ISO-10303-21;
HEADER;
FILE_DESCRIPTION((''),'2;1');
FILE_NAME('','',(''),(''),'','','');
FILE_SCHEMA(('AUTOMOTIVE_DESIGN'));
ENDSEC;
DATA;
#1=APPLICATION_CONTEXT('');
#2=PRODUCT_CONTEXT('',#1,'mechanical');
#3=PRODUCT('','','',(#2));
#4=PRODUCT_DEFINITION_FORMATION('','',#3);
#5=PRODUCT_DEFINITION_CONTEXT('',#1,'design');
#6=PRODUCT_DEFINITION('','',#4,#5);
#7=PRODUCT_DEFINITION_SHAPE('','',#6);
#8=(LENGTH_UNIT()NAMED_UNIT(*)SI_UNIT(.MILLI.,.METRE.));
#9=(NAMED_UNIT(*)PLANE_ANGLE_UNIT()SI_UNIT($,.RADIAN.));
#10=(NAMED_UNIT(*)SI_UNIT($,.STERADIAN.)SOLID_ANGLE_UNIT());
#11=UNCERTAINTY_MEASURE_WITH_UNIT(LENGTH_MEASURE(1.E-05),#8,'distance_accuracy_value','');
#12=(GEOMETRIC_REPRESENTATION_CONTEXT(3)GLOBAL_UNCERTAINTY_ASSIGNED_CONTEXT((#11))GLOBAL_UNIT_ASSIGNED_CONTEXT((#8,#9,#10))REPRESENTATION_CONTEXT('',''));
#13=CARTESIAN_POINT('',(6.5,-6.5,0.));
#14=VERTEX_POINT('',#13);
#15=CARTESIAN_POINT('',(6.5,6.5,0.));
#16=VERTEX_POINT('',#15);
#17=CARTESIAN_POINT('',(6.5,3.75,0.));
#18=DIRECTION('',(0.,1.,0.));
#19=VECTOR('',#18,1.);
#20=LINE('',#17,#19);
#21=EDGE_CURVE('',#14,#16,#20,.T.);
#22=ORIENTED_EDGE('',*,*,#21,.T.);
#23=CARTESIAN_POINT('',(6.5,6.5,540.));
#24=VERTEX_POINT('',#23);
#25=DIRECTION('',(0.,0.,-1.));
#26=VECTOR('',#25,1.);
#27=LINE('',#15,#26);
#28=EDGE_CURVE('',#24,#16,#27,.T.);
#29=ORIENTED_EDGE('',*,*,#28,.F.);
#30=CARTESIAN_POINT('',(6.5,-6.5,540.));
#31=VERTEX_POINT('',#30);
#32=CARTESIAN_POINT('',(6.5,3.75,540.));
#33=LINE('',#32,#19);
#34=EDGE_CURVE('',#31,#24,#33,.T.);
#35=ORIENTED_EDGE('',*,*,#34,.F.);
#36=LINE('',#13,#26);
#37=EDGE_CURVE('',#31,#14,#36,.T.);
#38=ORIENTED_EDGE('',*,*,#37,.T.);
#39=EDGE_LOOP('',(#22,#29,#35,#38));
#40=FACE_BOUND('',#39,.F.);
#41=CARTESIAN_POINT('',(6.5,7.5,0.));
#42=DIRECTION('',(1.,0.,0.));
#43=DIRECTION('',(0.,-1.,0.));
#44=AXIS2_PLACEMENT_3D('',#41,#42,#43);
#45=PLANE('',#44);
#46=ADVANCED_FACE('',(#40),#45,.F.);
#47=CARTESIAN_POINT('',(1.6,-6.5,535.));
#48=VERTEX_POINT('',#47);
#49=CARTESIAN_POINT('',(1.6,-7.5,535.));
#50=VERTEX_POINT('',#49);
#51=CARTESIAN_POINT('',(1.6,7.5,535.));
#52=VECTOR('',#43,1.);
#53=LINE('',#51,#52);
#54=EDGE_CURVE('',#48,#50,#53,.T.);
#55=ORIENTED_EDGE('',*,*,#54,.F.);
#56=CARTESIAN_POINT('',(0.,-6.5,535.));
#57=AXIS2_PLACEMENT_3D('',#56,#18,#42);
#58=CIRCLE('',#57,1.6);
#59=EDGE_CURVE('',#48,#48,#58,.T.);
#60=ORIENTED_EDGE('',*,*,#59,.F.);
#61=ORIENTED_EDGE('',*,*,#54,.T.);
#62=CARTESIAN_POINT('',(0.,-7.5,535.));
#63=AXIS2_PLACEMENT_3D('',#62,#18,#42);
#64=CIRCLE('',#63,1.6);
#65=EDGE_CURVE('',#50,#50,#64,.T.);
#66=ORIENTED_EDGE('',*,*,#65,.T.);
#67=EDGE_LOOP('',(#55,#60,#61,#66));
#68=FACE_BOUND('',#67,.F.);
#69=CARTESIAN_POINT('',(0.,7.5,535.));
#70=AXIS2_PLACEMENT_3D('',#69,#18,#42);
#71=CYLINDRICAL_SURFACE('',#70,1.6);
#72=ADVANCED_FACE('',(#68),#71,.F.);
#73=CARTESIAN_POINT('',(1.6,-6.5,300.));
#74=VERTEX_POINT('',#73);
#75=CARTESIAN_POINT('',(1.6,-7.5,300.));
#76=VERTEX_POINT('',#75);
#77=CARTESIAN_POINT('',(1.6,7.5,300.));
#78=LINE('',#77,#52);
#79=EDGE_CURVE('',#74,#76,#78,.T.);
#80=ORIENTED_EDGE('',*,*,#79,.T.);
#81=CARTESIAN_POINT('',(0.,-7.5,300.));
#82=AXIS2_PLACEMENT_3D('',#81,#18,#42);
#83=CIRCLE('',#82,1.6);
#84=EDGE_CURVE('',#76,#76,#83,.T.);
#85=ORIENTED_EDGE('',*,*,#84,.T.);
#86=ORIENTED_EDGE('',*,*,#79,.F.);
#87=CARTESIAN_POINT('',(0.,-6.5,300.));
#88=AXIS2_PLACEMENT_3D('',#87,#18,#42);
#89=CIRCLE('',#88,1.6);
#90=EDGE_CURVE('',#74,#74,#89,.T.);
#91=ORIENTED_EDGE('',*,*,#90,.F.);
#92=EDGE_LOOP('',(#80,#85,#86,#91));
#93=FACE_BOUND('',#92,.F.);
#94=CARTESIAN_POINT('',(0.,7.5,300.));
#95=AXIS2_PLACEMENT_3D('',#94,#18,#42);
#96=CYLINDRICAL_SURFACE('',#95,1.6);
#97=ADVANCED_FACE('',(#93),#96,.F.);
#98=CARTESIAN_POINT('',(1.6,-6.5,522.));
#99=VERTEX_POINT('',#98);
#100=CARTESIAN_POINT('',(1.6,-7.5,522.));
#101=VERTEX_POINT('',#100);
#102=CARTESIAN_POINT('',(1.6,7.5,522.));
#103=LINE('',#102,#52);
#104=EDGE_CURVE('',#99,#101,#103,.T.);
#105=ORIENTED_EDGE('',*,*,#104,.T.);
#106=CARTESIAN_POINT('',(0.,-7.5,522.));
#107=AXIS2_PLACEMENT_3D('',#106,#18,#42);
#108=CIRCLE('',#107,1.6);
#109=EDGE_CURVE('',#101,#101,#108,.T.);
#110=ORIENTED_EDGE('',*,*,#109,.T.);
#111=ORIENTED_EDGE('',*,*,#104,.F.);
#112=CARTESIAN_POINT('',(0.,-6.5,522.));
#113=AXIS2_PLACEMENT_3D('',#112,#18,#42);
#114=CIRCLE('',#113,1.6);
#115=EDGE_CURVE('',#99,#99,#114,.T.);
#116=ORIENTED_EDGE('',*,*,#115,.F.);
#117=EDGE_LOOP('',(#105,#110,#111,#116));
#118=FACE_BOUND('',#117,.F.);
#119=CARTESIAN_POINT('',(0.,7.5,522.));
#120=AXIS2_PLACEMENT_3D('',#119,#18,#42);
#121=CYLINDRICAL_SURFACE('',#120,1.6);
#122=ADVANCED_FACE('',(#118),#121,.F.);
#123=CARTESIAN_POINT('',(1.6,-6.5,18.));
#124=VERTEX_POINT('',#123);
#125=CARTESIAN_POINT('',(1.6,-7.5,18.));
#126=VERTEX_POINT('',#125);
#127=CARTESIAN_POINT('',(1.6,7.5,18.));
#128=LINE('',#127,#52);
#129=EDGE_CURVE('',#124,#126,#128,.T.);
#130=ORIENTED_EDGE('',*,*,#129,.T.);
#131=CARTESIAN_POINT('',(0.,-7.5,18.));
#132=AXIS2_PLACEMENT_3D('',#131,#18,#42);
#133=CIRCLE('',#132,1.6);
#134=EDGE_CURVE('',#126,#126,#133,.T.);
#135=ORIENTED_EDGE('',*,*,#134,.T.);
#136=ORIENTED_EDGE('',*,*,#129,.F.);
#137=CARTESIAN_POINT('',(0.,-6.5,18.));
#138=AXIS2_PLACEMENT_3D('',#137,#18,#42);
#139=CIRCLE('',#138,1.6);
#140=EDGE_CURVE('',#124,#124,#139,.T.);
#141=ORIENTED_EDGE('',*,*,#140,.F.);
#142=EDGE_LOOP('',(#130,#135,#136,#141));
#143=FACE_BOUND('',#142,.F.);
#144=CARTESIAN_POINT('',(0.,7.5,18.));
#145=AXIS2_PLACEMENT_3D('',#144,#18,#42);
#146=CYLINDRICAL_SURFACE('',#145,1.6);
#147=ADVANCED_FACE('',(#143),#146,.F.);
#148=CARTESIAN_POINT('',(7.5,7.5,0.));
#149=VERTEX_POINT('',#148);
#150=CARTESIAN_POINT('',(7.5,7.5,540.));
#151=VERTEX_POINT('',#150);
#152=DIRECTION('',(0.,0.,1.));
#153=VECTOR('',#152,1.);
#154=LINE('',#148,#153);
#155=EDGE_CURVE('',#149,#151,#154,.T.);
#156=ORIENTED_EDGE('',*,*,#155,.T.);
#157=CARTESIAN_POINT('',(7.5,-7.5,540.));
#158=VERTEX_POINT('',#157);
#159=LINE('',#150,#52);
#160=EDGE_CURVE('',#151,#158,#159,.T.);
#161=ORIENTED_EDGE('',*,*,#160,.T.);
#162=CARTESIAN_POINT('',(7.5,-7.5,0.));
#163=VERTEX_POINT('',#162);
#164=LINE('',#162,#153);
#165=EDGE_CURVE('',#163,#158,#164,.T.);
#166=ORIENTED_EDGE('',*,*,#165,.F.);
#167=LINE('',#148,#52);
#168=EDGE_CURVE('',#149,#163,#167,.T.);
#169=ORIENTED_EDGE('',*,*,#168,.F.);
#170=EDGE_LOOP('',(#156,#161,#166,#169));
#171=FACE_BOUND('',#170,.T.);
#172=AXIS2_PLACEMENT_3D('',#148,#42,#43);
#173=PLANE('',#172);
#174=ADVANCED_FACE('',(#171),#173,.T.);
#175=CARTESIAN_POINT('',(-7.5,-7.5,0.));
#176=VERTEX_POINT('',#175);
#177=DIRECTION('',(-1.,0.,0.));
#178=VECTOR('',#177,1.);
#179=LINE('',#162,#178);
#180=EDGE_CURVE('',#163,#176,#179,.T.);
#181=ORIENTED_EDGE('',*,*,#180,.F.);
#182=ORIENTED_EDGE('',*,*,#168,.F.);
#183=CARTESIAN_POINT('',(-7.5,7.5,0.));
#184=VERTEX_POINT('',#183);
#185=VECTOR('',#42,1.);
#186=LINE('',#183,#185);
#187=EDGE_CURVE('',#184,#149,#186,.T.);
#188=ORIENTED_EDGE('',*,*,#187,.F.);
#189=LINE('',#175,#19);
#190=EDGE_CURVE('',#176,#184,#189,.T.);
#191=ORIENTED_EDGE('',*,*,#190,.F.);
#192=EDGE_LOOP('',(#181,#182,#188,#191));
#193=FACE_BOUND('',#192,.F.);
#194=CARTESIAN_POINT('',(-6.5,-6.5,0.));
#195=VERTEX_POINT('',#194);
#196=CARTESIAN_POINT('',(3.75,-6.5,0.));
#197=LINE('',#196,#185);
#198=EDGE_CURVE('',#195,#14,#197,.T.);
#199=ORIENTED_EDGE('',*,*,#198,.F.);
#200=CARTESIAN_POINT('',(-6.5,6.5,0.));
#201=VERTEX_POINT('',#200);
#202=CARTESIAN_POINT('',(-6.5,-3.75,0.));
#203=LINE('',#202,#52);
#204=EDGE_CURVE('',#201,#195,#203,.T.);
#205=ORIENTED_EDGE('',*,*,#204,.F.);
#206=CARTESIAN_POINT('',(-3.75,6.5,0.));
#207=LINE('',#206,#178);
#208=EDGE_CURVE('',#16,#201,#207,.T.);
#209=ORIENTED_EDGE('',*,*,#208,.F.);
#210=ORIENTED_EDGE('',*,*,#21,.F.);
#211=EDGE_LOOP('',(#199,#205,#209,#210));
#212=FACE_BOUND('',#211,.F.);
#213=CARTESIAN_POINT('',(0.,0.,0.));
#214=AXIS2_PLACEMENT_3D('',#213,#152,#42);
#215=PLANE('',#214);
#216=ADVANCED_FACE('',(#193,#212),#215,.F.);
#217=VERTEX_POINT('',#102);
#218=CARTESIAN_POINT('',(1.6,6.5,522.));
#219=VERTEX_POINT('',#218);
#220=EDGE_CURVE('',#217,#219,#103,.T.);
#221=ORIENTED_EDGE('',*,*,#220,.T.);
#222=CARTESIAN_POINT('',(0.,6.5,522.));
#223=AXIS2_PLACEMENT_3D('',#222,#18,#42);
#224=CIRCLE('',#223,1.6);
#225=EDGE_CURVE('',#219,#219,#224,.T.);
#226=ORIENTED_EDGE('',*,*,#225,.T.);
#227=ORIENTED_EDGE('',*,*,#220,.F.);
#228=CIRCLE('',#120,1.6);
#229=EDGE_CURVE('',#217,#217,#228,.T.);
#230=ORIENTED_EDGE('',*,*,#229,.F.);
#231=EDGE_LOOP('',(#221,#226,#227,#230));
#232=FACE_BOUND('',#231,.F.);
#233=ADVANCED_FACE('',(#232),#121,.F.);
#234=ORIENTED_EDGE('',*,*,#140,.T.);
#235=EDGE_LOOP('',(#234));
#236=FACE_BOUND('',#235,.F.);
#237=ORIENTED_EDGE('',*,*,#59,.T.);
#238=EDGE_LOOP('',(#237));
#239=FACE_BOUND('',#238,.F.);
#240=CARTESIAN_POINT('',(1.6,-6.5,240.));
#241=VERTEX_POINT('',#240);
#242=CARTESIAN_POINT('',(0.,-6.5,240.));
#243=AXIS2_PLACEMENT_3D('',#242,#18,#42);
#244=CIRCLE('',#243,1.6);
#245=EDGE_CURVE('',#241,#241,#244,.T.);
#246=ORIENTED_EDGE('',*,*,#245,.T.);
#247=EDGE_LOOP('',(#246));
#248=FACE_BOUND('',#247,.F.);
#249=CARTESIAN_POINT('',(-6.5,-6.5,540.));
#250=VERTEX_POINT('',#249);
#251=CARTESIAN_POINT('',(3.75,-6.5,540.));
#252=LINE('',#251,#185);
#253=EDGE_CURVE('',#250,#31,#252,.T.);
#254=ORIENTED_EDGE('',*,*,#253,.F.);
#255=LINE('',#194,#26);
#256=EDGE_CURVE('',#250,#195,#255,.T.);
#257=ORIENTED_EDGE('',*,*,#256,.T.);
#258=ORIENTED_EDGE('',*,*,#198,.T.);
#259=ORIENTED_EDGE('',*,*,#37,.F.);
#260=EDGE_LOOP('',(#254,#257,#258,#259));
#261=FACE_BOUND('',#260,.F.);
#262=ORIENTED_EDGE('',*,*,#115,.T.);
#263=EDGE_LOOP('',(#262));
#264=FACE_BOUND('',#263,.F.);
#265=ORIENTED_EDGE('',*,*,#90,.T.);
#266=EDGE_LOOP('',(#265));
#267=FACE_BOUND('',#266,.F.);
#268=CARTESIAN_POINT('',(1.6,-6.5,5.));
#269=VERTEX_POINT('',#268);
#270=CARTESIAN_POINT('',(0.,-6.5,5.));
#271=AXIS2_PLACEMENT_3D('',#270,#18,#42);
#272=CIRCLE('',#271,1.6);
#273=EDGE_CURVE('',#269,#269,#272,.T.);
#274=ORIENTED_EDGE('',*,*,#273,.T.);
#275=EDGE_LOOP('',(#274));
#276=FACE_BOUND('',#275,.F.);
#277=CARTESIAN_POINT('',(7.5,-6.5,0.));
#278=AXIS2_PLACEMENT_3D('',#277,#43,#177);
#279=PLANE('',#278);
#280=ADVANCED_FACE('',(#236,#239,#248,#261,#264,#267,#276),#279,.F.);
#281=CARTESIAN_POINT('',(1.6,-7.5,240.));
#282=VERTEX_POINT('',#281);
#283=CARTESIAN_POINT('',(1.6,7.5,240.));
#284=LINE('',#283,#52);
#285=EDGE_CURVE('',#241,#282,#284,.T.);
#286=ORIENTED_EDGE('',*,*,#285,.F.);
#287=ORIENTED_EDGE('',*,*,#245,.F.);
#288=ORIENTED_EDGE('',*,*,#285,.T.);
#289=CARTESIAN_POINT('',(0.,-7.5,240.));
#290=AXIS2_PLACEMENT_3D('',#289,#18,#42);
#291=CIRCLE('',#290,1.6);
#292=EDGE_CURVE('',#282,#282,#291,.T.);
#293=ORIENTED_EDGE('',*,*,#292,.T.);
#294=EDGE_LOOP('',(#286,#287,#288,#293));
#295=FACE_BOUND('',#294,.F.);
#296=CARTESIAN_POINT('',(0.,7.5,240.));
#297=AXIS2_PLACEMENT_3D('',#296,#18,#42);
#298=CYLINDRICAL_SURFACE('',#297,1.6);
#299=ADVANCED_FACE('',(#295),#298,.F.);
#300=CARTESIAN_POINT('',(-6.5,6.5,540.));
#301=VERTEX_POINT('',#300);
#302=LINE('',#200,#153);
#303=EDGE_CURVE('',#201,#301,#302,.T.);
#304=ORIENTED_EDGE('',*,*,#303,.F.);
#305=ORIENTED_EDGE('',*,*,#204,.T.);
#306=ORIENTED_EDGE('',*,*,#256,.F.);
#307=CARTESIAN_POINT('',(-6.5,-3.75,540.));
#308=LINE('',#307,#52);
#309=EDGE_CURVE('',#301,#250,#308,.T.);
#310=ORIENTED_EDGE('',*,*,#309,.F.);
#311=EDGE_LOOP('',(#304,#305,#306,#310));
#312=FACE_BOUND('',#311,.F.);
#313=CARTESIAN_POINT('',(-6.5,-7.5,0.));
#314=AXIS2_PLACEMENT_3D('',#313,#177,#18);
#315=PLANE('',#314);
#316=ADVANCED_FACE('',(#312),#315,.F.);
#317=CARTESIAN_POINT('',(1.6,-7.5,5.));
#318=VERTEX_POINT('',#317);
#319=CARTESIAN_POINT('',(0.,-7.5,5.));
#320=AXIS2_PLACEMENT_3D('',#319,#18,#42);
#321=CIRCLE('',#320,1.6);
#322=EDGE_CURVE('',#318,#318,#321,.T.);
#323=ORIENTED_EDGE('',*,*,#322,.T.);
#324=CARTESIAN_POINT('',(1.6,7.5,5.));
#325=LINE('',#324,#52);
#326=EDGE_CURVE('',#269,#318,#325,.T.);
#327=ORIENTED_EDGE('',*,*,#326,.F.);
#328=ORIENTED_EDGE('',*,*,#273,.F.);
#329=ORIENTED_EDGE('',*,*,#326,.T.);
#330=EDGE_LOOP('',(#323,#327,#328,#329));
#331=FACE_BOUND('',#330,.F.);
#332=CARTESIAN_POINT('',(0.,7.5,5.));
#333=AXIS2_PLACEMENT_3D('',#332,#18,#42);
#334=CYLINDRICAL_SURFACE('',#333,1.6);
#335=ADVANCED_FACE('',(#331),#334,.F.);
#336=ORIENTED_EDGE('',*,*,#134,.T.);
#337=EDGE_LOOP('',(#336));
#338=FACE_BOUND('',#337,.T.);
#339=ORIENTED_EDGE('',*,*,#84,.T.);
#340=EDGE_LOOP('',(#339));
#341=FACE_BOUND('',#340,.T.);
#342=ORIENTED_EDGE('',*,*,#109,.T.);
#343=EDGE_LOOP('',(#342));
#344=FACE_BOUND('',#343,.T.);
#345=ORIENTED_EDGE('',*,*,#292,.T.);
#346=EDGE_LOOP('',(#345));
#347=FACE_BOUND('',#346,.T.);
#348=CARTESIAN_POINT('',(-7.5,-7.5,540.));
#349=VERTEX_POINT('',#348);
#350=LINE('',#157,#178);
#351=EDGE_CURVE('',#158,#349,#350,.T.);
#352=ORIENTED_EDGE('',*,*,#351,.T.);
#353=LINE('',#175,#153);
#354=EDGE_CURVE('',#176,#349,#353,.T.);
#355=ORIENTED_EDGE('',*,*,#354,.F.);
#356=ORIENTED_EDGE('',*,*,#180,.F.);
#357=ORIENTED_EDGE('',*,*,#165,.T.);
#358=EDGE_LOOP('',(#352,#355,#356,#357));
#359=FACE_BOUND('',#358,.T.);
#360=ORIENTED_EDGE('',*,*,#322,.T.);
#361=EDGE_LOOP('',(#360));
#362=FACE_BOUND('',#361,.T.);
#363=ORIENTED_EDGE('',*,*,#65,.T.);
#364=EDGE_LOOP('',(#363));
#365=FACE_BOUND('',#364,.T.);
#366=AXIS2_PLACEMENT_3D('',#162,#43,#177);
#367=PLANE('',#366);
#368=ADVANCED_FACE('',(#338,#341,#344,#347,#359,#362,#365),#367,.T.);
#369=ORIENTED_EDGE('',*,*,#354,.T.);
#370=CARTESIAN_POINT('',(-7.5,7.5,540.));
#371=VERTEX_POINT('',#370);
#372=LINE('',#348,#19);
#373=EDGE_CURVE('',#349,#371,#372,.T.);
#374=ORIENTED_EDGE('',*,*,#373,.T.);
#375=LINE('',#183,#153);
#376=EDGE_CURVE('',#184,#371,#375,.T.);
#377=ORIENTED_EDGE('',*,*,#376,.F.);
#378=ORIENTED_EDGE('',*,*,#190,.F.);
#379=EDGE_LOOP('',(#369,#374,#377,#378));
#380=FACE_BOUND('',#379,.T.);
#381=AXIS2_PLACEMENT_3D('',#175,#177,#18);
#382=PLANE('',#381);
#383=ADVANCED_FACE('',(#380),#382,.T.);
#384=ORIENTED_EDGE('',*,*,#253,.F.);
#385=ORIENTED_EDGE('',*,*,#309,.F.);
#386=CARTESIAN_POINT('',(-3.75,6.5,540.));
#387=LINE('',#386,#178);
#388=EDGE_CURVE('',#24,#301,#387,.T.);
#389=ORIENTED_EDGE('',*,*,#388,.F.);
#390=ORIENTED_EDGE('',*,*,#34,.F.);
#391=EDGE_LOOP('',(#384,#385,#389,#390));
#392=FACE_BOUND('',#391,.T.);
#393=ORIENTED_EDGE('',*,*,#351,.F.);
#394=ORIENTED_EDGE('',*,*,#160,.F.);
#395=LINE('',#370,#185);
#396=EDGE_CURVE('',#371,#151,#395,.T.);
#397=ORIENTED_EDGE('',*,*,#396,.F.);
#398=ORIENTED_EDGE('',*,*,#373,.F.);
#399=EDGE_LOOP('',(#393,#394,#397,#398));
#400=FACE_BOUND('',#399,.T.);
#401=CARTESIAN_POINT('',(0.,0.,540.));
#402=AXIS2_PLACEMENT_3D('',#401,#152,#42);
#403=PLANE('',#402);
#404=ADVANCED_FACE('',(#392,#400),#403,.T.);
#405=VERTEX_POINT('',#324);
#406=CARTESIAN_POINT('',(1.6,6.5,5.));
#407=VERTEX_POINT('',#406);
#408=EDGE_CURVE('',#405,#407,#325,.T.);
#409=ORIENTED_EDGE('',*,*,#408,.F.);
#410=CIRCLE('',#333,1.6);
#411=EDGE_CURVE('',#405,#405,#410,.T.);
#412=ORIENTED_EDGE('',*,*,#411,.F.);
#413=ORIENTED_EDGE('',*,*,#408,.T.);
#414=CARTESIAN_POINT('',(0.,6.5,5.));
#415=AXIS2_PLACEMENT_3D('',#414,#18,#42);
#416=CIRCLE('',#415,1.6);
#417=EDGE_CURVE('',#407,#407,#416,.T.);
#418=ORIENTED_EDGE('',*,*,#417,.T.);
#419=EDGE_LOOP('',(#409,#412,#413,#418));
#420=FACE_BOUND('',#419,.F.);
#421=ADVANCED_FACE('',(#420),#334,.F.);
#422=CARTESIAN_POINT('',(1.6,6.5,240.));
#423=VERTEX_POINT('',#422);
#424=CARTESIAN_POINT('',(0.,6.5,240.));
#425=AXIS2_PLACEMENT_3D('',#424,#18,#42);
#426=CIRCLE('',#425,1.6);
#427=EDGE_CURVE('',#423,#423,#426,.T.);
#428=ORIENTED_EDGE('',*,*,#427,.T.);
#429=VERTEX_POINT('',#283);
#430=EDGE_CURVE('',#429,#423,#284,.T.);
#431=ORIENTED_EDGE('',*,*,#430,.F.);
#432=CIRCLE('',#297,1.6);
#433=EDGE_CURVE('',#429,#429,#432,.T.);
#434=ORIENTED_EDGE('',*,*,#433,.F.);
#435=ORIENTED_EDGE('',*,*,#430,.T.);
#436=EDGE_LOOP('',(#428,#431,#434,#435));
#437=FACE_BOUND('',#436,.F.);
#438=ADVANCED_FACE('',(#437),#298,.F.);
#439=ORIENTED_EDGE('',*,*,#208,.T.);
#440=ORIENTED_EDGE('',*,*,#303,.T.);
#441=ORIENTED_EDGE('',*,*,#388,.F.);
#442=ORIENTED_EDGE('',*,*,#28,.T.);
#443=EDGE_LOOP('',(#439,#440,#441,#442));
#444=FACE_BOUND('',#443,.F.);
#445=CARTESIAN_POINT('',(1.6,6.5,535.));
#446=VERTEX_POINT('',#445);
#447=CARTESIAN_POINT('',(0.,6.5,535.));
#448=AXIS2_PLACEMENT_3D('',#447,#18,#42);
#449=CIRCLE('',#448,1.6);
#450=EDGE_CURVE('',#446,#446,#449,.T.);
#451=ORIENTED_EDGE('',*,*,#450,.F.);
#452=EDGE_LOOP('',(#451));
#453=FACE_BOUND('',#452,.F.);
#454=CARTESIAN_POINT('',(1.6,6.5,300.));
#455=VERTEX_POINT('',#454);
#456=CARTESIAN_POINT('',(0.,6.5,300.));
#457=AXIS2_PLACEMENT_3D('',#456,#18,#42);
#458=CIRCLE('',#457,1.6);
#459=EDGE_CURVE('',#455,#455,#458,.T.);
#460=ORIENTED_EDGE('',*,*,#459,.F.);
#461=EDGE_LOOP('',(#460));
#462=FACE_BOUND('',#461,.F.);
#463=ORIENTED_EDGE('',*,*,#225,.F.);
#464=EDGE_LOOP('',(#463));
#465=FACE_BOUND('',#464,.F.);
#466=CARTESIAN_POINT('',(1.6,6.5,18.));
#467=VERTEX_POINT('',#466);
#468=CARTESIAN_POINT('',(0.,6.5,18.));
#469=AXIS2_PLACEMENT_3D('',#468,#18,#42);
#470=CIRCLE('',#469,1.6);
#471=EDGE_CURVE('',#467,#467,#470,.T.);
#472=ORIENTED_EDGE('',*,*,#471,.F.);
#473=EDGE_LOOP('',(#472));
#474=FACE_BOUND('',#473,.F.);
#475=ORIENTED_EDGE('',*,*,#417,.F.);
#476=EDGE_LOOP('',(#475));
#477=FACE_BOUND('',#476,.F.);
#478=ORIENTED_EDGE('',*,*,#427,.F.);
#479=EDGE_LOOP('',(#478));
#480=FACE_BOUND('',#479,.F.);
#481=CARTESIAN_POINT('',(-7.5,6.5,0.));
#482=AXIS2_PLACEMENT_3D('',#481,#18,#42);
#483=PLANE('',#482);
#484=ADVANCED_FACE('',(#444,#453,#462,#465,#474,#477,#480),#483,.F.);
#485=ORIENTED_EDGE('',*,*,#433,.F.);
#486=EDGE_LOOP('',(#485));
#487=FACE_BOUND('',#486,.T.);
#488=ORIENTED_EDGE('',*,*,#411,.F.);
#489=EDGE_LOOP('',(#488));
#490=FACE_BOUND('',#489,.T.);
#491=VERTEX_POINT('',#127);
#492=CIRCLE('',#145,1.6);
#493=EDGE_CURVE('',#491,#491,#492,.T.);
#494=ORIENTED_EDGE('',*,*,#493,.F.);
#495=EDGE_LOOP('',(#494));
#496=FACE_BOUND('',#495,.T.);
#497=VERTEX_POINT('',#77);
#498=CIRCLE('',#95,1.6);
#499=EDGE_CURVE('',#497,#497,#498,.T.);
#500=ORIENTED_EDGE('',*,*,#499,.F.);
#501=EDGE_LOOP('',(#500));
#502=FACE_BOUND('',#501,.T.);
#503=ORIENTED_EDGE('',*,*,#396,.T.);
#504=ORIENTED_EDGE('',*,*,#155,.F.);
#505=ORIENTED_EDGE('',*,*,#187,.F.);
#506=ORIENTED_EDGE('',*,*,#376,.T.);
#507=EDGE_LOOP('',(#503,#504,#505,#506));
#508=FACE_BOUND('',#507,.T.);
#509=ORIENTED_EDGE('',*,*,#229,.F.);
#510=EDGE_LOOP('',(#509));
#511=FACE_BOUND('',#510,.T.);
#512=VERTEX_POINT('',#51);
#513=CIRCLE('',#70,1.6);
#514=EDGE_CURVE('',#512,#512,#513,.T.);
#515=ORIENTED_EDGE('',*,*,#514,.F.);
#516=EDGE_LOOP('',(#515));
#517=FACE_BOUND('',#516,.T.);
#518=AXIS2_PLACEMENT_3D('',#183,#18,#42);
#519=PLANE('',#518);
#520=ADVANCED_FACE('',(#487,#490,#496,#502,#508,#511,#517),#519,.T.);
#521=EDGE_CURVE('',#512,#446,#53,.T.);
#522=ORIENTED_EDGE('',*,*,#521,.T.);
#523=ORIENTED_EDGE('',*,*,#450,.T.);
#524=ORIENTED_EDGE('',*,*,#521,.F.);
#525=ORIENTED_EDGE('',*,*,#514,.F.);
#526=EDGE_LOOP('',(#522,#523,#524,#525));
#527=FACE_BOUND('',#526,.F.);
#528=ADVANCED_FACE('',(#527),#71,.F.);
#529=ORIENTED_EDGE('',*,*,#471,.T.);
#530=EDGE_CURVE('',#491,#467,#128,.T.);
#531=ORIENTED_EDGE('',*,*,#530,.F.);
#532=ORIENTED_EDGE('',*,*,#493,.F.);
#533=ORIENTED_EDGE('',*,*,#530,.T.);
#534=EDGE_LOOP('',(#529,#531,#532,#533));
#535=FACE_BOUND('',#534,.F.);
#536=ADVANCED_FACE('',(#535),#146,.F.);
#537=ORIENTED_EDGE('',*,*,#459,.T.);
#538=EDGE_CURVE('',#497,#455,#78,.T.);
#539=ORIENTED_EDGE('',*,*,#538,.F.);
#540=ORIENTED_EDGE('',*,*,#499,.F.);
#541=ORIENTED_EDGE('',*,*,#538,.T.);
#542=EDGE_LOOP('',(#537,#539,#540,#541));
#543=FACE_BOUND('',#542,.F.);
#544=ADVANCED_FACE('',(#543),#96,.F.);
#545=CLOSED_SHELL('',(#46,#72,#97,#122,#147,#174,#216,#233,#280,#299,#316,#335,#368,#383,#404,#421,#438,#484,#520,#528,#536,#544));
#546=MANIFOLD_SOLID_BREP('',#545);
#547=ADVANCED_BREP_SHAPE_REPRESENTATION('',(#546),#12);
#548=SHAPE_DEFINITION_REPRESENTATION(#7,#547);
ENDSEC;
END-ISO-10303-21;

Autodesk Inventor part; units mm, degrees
ref_plane "YZ Plane" through (0, 0, 0) normal (1, 0, 0) x (0, 1, 0)
ref_plane "XZ Plane" through (0, 0, 0) normal (0, 1, 0) x (-1, 0, 0)
sketch "スケッチ1" plane through (0, 0, 0) normal (0, 0, 1) x (1, 0, 0)
  line L0 (-7.5, 7.5) -> (7.5, 7.5)
  line L1 (7.5, 7.5) -> (7.5, -7.5)
  line L2 (7.5, -7.5) -> (-7.5, -7.5)
  line L3 (-7.5, -7.5) -> (-7.5, 7.5)
  point P0 (0, 0)
  point P1 (-7.5, 0)
  point P2 (0, 7.5)
  dimension "d0" = 15
  dimension "d1" = 15
extrude "押し出し1" add sketch "スケッチ1" along normal blind 540
shell "シェル1" thickness 1 removed faces 2 at (-2.5, -2.5, 0) at (-2.5, -2.5, 540)
sketch "スケッチ2" plane through (-7.5, 7.5, 0) normal (0, 1, 0) x (1, 0, 0)
  circle A0 centre (7.5, -5) radius 1.6
  circle A1 centre (7.5, -18) radius 1.6
  circle A2 centre (7.5, -522) radius 1.6
  circle A3 centre (7.5, -535) radius 1.6
  line L0 (15, 0) -> (0, 0) projected
  line L1 (15, -540) -> (0, -540) projected
  point P0 (7.5, 0)
  point P1 (7.5, 0)
  point P2 (7.5, 0)
  dimension "d5" = 3.2
  dimension "d6" = 3.2
  dimension "d7" = 3.2
  dimension "d8" = 3.2
  dimension "d9" = 5
  dimension "d10" = 13
  dimension "d11" = 5
  dimension "d12" = 13
extrude "押し出し2" cut sketch "スケッチ2" against normal through all
ref_plane "作業平面1" through (0, 0, 270) normal (0, 0, 1) x (1, 0, 0)
sketch "スケッチ3" plane through (-7.5, 7.5, 0) normal (0, 1, 0) x (1, 0, 0)
  line L0 (18, -270) -> (-3, -270) projected
  circle A0 centre (7.5, -300) radius 1.6
  circle A1 centre (7.5, -240) radius 1.6
  line L1 (15, -270) -> (0, -270)
  line L2 (15, 0) -> (15, -540) projected
  line L3 (0, 0) -> (0, -540) projected
  point P0 (7.5, 0)
  point P1 (7.5, -270)
  dimension "d15" = 3.2
  dimension "d16" = 60
extrude "押し出し3" cut sketch "スケッチ3" against normal through all
properties part number "pipe_back" material "アルミニウム 6061"
